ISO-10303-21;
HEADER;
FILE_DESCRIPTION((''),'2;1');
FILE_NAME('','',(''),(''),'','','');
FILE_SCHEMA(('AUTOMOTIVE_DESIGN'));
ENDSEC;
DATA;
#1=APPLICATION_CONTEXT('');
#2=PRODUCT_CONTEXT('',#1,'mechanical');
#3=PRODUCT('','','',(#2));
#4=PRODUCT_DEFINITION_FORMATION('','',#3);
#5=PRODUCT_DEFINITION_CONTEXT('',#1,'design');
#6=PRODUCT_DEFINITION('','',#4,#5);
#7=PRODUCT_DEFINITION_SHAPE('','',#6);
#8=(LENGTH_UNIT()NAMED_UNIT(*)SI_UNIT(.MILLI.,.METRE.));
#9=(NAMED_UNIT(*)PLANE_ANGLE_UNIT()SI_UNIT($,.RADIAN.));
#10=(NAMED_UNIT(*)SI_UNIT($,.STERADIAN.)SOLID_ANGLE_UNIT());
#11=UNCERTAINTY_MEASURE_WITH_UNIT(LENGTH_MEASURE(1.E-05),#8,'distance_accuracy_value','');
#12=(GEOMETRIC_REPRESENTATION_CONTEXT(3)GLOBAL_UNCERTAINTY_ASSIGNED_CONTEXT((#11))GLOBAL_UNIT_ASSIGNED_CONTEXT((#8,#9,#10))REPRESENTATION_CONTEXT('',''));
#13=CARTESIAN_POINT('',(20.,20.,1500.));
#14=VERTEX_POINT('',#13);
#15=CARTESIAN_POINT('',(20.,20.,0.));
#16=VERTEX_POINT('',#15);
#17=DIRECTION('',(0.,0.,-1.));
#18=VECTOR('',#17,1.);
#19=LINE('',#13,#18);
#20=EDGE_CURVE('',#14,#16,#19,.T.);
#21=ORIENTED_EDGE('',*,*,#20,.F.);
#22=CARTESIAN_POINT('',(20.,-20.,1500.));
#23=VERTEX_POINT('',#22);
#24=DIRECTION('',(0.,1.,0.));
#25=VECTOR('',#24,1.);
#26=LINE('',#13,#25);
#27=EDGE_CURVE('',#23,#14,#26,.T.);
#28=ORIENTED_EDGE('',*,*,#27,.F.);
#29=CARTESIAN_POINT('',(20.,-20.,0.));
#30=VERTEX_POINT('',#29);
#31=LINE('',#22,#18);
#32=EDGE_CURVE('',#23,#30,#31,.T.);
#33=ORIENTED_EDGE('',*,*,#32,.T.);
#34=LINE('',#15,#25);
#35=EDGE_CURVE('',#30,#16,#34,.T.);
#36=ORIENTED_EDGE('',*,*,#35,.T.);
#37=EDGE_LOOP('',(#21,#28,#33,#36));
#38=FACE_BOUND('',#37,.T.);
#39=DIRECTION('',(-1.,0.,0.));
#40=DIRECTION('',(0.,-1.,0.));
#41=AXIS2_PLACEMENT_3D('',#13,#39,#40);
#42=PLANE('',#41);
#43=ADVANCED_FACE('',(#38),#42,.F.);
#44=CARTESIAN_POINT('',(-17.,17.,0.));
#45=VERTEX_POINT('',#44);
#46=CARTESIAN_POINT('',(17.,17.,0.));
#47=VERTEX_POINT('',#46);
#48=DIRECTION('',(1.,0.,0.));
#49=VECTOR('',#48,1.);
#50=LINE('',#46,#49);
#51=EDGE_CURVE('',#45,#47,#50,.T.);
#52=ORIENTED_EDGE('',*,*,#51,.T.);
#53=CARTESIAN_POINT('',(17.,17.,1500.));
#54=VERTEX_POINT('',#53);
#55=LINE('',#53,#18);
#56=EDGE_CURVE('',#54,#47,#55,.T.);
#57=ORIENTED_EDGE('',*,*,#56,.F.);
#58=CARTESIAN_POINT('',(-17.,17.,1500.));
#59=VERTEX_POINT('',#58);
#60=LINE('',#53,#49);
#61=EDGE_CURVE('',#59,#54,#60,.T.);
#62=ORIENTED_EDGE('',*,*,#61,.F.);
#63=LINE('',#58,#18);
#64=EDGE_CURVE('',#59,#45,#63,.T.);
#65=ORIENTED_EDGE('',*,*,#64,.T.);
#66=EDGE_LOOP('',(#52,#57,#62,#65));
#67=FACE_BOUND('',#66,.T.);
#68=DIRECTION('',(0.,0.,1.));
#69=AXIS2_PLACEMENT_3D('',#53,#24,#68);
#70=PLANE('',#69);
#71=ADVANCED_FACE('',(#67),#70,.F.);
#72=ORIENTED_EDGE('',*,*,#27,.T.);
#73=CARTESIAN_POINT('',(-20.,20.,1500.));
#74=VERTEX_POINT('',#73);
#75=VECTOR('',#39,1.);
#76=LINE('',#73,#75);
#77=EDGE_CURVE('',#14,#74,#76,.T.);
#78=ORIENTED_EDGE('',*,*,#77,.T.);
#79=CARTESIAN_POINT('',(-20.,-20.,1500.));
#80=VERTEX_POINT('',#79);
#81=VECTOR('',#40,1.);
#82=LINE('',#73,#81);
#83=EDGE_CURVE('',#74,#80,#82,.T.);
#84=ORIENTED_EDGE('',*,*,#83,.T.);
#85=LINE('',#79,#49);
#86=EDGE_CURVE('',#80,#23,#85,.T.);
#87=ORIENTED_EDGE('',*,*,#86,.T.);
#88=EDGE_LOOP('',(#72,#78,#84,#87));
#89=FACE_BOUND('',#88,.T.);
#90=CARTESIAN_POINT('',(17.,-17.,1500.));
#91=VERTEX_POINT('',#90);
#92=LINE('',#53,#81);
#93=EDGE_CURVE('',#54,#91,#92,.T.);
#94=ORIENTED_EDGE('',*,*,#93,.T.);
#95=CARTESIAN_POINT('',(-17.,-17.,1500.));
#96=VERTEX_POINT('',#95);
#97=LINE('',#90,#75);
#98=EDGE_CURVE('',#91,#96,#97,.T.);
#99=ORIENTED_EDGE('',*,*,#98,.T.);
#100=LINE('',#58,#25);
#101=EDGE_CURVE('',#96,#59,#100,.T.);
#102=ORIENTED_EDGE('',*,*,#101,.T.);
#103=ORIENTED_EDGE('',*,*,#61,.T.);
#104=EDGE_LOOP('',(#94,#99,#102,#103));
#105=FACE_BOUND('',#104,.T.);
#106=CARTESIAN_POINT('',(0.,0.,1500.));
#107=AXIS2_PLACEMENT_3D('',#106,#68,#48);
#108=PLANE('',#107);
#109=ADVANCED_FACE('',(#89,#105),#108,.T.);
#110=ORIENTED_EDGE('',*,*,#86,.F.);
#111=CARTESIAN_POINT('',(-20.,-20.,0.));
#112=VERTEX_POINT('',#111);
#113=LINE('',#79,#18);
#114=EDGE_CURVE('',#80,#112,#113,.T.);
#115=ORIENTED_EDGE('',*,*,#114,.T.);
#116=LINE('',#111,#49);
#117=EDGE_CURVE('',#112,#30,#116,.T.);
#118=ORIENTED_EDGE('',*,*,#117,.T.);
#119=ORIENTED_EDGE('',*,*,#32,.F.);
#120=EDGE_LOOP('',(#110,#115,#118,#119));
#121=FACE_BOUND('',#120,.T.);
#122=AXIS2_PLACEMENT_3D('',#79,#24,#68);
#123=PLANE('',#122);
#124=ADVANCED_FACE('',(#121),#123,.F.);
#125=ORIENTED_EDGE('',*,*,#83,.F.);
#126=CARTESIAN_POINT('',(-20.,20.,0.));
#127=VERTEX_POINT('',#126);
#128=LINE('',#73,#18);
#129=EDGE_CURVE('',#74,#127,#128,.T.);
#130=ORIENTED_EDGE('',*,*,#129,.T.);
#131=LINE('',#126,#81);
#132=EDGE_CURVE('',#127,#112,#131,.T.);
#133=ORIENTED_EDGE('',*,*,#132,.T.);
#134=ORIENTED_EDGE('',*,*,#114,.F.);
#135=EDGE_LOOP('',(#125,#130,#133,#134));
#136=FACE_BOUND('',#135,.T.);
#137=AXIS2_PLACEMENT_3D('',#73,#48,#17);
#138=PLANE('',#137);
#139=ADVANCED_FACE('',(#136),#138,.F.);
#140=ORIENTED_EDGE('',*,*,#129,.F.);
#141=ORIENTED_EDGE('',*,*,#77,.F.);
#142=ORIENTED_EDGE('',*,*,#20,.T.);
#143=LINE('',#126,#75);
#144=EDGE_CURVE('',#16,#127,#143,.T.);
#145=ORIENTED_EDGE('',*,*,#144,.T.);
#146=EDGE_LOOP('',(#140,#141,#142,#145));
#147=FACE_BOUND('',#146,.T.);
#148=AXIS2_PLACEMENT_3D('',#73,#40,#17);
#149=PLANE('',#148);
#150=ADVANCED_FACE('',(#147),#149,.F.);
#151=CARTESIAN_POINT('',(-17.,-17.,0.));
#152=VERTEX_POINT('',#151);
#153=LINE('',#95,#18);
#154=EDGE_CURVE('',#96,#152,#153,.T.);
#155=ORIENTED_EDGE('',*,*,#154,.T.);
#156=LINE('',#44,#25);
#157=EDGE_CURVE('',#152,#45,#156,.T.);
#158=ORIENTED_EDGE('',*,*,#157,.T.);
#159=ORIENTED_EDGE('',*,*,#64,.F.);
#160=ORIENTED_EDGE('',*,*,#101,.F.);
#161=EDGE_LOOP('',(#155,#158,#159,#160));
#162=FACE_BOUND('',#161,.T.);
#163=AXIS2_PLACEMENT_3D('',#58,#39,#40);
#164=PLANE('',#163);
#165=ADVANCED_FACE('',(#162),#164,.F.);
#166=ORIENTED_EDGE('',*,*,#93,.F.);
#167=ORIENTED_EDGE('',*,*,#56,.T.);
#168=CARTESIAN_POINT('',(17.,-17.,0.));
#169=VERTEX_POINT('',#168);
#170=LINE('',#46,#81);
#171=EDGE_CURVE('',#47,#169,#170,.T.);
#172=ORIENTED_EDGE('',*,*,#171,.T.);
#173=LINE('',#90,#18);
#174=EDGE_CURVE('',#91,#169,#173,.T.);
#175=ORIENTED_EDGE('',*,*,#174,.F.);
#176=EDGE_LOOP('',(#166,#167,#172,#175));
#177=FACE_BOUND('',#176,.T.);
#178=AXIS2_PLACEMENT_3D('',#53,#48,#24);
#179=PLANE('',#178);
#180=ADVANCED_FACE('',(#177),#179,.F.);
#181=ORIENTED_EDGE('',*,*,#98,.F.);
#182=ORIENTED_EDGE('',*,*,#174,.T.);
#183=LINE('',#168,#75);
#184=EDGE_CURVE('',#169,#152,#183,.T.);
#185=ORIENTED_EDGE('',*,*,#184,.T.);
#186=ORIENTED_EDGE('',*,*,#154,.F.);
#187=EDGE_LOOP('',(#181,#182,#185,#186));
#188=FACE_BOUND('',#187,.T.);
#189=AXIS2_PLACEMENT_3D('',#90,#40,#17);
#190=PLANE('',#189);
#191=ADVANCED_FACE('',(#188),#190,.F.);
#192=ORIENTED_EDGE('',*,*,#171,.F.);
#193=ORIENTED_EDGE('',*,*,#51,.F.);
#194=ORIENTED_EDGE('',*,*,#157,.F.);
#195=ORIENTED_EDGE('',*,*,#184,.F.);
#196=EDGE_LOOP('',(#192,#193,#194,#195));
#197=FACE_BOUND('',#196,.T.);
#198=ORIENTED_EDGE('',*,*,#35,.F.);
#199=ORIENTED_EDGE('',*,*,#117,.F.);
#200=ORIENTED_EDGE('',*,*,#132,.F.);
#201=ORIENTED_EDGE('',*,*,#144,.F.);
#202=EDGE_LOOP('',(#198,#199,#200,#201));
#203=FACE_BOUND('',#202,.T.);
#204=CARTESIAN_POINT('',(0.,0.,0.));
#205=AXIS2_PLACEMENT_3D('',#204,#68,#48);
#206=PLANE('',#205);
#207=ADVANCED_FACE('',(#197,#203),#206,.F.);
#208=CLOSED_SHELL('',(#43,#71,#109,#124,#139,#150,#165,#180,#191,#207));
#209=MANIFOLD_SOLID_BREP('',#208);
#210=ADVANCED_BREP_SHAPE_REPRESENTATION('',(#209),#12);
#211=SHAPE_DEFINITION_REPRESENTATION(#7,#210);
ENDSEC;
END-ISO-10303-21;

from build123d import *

# Parameters (mm, degrees)
SKETCH1_W           = 40
SKETCH1_H           = 40
BOSS_EXTRUDE1_DEPTH = 1500
SKETCH2_W           = 34
SKETCH2_H           = 34
CUT_EXTRUDE1_DEPTH  = 1500


with BuildPart() as part:
    # Sketch1 → Boss-Extrude1 (new body)
    with BuildSketch(Plane.XY):
        Rectangle(SKETCH1_W, SKETCH1_H)
    extrude(amount=BOSS_EXTRUDE1_DEPTH)

    # Sketch2 → Cut-Extrude1 (cut)
    with BuildSketch(Plane(origin=(0, 0, 0), x_dir=(-1, 0, 0), z_dir=(0, 0, -1))):
        Rectangle(SKETCH2_W, SKETCH2_H)
    extrude(amount=-CUT_EXTRUDE1_DEPTH, mode=Mode.SUBTRACT)


solid = part.part
